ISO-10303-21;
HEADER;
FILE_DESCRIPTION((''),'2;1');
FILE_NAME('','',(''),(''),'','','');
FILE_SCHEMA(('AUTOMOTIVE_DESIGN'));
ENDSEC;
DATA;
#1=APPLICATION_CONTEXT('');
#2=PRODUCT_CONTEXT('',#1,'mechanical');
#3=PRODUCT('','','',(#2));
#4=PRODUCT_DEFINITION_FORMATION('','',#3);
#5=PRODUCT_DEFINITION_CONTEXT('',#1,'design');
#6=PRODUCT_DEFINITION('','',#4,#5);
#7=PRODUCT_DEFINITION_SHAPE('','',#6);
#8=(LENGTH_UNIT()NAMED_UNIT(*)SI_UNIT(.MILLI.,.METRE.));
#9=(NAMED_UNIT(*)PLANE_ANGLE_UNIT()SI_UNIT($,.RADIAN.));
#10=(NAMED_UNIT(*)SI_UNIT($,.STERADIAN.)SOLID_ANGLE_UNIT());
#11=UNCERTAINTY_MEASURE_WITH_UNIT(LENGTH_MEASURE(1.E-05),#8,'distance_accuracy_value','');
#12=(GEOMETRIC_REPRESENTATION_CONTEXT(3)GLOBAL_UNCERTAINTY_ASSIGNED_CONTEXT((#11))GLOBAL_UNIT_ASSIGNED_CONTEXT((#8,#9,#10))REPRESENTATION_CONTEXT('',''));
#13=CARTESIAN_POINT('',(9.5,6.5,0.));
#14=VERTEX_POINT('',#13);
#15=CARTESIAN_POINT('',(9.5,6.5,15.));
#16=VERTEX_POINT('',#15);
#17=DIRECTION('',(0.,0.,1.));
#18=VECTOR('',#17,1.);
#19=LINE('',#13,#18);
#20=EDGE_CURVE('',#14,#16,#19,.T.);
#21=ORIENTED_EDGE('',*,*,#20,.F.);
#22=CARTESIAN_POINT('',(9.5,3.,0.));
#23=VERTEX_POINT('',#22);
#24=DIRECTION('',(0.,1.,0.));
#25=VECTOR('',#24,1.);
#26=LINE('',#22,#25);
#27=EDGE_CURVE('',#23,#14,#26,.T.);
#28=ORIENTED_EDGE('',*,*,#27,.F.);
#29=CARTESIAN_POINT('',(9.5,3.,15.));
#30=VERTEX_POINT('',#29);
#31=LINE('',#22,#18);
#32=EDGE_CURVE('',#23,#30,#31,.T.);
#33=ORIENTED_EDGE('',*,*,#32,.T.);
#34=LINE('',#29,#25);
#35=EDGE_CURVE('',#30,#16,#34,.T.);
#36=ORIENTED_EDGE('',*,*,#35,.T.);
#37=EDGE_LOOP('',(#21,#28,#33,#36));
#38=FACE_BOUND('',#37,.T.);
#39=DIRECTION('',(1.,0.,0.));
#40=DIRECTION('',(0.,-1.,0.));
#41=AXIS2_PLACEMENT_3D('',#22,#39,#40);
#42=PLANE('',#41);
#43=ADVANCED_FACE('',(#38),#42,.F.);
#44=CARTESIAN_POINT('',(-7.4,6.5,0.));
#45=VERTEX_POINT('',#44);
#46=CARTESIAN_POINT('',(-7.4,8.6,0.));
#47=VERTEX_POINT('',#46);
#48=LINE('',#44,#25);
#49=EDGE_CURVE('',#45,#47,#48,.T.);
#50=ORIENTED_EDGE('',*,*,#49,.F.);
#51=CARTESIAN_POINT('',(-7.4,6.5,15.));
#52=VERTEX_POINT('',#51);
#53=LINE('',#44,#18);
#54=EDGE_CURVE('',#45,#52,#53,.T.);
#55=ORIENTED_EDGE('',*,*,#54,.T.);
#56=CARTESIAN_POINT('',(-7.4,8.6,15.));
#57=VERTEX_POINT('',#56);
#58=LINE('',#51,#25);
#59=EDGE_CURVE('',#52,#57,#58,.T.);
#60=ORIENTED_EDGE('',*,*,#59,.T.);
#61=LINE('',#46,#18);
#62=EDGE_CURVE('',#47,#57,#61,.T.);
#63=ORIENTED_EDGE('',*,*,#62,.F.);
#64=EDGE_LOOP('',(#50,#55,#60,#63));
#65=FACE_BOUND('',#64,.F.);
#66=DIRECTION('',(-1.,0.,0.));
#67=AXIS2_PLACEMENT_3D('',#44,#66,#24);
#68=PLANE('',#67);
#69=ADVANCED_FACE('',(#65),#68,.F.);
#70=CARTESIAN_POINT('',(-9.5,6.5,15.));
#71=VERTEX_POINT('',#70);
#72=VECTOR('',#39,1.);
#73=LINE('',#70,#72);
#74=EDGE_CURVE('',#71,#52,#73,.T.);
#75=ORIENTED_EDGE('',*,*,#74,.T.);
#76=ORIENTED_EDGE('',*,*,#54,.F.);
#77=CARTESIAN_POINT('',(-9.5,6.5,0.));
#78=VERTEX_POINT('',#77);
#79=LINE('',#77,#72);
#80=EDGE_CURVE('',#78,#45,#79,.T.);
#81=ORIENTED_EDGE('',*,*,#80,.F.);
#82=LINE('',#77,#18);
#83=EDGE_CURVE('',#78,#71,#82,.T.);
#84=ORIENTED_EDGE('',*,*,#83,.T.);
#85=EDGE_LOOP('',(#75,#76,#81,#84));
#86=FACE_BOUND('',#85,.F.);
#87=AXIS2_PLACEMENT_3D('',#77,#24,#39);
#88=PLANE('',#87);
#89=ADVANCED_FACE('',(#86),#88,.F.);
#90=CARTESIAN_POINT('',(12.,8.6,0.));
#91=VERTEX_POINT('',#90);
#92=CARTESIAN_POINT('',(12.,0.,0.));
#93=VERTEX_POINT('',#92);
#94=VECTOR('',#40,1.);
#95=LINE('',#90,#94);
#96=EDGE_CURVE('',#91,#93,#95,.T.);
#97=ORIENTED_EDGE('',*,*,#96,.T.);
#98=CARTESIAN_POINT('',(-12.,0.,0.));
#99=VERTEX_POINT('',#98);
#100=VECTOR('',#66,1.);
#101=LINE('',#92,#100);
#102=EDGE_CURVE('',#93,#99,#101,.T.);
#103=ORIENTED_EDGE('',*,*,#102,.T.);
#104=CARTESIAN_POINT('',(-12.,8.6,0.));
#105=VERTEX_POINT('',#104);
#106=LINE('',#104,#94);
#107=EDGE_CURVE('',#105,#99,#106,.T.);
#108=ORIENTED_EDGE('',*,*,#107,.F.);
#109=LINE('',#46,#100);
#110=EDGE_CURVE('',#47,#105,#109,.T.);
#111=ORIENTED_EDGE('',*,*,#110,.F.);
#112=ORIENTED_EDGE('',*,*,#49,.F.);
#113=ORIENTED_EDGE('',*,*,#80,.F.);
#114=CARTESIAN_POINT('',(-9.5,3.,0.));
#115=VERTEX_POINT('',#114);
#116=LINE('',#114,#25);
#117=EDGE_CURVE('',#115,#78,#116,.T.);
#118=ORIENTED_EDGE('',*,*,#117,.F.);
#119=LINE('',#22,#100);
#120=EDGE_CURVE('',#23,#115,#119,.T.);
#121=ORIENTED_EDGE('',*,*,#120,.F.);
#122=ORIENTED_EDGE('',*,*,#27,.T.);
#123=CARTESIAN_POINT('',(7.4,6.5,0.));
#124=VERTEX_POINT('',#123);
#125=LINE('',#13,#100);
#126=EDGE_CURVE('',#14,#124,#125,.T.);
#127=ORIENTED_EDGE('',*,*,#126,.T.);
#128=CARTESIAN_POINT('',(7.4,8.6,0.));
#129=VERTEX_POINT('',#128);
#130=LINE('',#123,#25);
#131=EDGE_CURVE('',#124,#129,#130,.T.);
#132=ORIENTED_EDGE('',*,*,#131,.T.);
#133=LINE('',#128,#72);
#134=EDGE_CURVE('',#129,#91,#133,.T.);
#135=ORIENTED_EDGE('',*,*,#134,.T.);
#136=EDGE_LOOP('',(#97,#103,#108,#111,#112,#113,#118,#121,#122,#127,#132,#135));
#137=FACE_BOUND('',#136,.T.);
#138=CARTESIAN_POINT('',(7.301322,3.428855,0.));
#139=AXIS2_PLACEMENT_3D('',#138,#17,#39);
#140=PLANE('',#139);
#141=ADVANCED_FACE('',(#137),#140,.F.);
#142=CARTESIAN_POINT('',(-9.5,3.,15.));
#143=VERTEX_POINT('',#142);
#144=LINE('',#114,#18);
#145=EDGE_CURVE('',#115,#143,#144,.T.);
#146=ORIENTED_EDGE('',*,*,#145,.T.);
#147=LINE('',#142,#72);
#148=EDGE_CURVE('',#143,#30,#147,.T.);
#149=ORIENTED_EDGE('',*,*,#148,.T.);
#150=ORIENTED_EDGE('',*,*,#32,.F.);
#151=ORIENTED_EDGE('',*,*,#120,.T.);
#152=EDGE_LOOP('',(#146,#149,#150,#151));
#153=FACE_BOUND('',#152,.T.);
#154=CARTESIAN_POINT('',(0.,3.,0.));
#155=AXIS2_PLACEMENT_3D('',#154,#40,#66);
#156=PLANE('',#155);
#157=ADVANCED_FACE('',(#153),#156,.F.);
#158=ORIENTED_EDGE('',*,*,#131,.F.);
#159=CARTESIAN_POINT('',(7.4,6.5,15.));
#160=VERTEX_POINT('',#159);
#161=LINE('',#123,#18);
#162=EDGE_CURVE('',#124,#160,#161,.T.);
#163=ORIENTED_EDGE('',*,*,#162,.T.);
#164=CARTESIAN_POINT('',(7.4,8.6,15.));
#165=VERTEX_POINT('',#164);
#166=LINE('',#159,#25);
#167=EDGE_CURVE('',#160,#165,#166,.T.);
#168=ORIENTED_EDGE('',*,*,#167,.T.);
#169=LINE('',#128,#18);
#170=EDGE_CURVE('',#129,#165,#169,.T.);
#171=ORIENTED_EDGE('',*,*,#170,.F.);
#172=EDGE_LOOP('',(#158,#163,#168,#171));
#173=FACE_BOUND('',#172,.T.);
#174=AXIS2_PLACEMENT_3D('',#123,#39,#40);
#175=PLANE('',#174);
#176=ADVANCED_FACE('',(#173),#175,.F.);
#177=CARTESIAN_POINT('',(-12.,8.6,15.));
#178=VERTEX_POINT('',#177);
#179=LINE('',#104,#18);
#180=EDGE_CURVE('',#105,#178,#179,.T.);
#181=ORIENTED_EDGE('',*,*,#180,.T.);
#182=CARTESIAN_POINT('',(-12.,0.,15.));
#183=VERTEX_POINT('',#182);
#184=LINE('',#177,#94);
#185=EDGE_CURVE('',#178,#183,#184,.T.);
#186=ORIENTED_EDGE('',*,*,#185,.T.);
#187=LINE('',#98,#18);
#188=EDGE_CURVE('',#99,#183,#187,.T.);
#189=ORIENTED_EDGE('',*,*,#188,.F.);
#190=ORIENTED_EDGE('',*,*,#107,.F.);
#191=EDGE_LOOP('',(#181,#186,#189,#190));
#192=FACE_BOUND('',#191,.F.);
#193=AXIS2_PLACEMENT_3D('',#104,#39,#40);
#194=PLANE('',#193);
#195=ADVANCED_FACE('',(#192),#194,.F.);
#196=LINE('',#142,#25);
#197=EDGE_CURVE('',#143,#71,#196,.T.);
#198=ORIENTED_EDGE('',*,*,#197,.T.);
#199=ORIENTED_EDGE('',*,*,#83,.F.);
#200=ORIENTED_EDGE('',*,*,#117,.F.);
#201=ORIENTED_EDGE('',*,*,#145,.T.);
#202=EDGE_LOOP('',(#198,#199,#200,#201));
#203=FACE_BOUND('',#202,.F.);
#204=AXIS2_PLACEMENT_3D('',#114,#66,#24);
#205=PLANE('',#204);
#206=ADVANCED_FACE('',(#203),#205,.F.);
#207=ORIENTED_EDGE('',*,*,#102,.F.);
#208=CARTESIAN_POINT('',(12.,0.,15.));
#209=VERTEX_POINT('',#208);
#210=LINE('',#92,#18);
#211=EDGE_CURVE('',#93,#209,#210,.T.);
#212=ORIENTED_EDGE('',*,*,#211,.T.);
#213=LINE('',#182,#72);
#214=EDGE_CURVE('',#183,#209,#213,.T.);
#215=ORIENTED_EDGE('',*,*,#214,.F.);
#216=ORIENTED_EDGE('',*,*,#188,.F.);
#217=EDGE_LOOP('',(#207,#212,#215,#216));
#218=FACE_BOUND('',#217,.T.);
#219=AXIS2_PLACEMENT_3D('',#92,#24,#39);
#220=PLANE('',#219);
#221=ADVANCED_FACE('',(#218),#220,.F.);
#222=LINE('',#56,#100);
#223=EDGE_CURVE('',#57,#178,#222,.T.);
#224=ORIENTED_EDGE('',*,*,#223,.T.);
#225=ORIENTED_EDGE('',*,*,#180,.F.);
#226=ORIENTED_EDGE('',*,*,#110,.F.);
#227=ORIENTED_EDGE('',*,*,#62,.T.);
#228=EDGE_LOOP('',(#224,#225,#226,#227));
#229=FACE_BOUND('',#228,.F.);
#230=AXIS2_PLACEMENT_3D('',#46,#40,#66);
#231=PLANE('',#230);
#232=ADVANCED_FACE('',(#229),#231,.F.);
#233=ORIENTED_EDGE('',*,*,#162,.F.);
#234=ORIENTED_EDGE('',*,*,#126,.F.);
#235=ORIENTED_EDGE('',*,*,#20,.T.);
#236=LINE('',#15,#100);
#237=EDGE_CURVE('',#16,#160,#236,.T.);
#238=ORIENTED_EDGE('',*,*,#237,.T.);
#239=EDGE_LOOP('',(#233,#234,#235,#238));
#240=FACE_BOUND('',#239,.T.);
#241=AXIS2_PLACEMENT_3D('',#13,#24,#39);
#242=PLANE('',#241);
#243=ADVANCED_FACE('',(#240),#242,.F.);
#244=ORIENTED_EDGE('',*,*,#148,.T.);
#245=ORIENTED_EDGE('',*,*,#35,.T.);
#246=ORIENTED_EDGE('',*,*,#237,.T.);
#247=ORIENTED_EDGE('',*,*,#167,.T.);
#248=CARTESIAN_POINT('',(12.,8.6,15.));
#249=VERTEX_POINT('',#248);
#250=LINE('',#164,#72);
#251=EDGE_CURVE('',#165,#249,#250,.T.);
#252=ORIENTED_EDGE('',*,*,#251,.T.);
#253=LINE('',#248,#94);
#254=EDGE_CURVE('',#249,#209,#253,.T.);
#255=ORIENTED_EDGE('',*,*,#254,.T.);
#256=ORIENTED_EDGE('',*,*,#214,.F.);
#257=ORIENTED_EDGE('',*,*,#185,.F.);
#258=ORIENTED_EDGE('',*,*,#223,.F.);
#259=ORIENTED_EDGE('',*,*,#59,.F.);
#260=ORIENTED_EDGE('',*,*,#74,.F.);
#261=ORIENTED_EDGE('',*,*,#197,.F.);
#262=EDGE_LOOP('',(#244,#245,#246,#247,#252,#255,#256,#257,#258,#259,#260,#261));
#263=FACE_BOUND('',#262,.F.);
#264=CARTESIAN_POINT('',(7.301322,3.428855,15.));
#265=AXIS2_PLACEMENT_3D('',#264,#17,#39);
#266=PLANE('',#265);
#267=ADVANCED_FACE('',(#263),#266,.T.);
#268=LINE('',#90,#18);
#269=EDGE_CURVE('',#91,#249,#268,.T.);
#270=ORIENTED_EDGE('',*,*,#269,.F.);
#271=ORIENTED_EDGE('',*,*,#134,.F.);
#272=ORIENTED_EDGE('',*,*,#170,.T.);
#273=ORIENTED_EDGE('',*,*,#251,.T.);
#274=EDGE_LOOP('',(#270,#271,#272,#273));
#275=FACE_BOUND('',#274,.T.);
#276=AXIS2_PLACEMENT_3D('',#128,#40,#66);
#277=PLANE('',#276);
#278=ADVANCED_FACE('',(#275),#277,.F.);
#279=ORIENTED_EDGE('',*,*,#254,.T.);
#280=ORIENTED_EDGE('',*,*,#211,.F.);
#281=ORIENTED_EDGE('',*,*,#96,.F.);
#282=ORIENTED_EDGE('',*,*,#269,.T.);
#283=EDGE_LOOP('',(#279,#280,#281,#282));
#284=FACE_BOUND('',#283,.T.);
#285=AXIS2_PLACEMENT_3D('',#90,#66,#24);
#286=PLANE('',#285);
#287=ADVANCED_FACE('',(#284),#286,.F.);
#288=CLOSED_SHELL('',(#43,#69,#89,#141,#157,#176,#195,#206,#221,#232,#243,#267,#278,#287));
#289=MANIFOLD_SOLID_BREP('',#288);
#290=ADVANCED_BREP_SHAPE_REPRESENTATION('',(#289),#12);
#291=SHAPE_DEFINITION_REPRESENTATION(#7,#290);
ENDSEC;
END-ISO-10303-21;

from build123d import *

# Parameters (mm, degrees)
F1_DEPTH = 15


with BuildPart() as f1:
    # F0 (on Top) → F1 (new body)
    with BuildSketch(Plane.XY):
        Polygon((-11, 0), (0, 0), (0, 3), (-4, 3), (-6, 3), (-9.5, 3), (-9.5, 6.5), (-7.4, 6.5), (-7.4, 8.6), (-11, 8.6), (-12, 8.6), (-12, 0), align=None)
    extrude(amount=F1_DEPTH)

    # F2: F1 across plane


with BuildPart() as f1_1:
    add(f1.part)
    add(f1.part.mirror(Plane.YZ))


solid = f1_1.part
